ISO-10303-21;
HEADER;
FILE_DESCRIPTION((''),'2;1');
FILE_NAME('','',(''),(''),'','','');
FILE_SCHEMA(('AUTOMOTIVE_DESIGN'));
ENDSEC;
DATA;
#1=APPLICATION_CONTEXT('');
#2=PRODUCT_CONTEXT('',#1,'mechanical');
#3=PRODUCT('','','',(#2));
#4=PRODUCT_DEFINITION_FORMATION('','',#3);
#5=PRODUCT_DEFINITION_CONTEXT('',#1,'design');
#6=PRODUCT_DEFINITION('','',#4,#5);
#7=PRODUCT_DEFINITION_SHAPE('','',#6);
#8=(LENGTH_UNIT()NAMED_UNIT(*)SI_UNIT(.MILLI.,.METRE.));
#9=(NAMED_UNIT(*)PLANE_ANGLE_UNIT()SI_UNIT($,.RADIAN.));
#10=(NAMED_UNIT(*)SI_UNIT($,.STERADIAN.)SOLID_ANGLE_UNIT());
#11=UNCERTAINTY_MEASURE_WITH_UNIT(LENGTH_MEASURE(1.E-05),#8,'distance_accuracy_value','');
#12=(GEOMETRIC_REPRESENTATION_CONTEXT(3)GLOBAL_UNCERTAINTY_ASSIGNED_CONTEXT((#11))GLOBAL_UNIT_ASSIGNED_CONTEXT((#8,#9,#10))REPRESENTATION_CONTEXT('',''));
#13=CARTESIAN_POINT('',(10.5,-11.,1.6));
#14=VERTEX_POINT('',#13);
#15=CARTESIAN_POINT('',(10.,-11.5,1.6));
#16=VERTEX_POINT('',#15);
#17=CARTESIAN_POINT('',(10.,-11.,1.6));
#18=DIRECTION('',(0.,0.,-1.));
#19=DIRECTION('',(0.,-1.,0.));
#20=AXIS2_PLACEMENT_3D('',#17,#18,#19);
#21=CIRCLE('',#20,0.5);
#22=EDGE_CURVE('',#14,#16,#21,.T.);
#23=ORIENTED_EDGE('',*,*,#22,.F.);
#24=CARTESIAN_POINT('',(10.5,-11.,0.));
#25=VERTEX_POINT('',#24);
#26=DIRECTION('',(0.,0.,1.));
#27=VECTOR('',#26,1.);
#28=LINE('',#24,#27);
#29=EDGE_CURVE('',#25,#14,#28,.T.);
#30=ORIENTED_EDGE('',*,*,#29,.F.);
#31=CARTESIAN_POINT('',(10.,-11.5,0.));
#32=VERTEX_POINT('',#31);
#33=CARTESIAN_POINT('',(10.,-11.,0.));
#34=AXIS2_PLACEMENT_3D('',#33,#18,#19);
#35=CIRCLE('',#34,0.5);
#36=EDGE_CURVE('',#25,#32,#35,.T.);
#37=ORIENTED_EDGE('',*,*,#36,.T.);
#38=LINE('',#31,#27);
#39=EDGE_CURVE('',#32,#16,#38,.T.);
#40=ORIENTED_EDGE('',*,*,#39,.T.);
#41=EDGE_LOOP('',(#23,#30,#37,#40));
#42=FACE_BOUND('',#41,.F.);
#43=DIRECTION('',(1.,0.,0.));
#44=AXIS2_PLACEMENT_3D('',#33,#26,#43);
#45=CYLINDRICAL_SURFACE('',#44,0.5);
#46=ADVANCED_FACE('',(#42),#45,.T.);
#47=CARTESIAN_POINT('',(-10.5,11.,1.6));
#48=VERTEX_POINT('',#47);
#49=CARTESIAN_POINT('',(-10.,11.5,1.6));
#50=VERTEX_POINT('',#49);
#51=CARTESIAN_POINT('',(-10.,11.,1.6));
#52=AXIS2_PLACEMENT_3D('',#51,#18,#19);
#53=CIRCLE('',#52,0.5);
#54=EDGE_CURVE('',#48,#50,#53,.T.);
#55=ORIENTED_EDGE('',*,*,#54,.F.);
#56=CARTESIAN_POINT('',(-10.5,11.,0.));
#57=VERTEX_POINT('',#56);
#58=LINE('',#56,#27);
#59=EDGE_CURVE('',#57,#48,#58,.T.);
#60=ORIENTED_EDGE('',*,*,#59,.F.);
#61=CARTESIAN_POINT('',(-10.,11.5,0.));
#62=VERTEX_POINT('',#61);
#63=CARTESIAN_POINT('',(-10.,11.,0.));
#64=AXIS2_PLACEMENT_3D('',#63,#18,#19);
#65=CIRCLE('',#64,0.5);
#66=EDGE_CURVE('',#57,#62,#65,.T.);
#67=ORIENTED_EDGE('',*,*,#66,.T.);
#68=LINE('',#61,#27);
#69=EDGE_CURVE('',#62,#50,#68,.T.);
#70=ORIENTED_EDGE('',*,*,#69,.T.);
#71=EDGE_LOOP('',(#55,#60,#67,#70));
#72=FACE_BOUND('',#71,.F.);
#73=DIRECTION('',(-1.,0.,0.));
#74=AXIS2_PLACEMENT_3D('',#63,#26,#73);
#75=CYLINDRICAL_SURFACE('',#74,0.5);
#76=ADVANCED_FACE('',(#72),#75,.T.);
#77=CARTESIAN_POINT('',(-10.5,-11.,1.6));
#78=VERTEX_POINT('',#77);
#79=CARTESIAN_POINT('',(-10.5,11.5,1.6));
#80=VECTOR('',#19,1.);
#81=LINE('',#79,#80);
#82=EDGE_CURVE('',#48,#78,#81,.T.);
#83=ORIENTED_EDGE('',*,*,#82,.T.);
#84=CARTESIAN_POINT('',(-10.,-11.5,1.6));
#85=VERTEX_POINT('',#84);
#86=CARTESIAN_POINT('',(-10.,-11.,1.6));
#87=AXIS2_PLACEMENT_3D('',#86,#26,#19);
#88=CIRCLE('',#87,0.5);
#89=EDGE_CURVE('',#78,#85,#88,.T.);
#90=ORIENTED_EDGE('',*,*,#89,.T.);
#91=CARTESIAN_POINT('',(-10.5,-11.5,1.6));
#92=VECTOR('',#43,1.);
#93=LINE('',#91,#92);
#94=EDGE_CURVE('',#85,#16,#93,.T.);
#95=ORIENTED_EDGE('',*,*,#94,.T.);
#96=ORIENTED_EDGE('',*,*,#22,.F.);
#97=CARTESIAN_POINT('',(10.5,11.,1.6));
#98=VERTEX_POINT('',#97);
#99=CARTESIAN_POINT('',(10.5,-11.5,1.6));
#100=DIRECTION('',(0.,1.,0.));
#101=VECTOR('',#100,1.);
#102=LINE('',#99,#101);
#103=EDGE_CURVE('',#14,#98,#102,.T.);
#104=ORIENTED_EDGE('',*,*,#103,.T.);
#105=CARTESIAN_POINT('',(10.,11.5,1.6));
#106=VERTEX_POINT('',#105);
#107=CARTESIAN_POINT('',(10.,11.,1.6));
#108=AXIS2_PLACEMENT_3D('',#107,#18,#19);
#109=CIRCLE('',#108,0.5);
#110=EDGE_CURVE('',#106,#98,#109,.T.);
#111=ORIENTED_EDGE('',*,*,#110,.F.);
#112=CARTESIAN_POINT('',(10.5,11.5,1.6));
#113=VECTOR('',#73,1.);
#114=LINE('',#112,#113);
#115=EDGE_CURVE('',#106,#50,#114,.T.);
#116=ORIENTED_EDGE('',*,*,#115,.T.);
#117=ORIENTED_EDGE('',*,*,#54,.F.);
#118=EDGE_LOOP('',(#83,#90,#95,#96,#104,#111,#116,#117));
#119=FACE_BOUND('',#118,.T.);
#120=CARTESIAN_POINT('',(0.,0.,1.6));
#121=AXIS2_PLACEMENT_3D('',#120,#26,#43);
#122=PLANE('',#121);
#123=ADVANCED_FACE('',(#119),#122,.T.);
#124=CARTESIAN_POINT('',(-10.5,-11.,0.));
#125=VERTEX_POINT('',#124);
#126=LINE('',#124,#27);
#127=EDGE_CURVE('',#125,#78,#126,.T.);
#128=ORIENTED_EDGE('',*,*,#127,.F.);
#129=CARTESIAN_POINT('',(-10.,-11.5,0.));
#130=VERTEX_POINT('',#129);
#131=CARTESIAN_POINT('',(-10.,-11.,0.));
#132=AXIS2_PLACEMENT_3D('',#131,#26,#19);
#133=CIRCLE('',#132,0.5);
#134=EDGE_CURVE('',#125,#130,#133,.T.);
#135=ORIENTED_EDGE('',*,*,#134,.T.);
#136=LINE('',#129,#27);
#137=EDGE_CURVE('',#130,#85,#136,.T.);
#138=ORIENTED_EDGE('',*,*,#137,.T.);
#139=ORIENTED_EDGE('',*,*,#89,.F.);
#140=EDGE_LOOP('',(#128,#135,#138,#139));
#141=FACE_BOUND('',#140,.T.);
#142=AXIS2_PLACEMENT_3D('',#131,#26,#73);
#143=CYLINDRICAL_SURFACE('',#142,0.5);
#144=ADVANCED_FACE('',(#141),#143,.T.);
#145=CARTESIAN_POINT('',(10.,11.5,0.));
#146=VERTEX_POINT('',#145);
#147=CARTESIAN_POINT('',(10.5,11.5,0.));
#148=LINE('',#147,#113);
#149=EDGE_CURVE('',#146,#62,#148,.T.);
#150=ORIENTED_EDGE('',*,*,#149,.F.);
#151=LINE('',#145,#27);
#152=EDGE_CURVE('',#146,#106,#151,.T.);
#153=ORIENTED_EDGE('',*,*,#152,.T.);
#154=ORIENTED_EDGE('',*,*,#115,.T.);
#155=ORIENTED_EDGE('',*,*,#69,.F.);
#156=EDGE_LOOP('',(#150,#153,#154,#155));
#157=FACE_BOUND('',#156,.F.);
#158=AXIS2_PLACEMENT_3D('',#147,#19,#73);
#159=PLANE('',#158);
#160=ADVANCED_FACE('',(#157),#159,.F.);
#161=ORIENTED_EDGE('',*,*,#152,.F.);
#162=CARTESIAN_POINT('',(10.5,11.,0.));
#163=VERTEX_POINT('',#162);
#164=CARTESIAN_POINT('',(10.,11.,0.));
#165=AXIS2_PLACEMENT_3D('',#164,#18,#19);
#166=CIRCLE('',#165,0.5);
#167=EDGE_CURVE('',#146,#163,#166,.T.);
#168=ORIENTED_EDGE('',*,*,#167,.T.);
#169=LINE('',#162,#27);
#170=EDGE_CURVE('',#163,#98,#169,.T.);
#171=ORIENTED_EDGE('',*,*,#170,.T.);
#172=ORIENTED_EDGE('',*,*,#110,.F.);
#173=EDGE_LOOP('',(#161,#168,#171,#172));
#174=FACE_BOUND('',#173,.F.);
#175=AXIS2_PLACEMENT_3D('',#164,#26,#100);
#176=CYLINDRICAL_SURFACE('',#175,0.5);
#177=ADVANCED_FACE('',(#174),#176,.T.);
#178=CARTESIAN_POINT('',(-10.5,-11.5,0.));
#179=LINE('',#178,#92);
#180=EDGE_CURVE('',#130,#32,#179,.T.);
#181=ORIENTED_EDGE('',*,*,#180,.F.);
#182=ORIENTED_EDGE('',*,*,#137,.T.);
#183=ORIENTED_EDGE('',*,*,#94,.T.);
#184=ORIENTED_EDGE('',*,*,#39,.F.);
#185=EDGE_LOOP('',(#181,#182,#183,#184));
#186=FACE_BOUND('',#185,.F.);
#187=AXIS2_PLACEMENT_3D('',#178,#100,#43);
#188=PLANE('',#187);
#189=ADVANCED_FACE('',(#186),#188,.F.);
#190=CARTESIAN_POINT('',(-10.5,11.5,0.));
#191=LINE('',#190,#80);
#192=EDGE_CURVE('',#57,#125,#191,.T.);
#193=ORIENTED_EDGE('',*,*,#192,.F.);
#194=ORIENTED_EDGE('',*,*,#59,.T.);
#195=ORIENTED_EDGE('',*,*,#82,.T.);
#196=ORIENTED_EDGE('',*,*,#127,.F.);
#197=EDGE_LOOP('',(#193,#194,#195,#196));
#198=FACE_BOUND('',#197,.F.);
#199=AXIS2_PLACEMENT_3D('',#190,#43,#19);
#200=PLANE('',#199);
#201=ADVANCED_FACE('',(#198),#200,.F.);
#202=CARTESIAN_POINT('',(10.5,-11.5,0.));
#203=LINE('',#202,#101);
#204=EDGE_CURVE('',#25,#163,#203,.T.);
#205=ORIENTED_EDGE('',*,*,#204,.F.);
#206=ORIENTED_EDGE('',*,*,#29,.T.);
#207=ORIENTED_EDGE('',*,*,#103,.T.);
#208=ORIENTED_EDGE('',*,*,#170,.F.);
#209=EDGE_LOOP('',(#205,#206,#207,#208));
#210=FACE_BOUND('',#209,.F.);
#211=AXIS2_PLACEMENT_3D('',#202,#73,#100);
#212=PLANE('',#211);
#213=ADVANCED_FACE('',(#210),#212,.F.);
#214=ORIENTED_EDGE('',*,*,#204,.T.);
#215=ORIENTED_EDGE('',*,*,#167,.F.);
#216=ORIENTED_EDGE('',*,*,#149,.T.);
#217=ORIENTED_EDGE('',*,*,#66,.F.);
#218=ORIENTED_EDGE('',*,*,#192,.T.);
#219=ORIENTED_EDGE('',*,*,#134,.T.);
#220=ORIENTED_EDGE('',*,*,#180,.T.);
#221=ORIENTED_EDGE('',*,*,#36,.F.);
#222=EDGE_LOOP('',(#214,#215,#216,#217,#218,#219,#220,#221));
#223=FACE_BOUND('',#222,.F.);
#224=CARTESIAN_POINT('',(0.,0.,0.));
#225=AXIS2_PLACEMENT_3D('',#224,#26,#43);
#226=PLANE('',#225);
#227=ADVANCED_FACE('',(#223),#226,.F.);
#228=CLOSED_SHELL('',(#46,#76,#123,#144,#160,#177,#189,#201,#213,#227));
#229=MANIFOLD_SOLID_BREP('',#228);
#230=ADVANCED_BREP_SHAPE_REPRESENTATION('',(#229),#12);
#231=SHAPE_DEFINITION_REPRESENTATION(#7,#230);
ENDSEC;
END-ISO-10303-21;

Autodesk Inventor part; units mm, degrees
ref_plane "YZ Plane" through (0, 0, 0) normal (1, 0, 0) x (0, 1, 0)
ref_plane "XZ Plane" through (0, 0, 0) normal (0, 1, 0) x (-1, 0, 0)
ref_plane "XY Plane" through (0, 0, 0) normal (0, 0, 1) x (1, 0, 0)
sketch "Sketch1" plane through (0, 0, 0) normal (0, 0, 1) x (1, 0, 0)
  line L0 (-10.5, -11.5) -> (10.5, -11.5)
  line L1 (10.5, -11.5) -> (10.5, 11.5)
  line L2 (10.5, 11.5) -> (-10.5, 11.5)
  line L3 (-10.5, 11.5) -> (-10.5, -11.5)
  line L4 (-10.5, -11.5) -> (10.5, 11.5) construction
  line L5 (10.5, -11.5) -> (-10.5, 11.5) construction
  point P0 (0, 0)
  dimension "d1" = 21
  dimension "d2" = 23
extrude "Extrusion1" add sketch "Sketch1" along normal blind 1.6
fillet "Fillet1" radius 0.5 4 edges at (10.5, 11.5, 0.8) (10.5, -11.5, 0.8) (-10.5, -11.5, 0.8) (-10.5, 11.5, 0.8)
properties part number "ETH_BRKT_PCB"
